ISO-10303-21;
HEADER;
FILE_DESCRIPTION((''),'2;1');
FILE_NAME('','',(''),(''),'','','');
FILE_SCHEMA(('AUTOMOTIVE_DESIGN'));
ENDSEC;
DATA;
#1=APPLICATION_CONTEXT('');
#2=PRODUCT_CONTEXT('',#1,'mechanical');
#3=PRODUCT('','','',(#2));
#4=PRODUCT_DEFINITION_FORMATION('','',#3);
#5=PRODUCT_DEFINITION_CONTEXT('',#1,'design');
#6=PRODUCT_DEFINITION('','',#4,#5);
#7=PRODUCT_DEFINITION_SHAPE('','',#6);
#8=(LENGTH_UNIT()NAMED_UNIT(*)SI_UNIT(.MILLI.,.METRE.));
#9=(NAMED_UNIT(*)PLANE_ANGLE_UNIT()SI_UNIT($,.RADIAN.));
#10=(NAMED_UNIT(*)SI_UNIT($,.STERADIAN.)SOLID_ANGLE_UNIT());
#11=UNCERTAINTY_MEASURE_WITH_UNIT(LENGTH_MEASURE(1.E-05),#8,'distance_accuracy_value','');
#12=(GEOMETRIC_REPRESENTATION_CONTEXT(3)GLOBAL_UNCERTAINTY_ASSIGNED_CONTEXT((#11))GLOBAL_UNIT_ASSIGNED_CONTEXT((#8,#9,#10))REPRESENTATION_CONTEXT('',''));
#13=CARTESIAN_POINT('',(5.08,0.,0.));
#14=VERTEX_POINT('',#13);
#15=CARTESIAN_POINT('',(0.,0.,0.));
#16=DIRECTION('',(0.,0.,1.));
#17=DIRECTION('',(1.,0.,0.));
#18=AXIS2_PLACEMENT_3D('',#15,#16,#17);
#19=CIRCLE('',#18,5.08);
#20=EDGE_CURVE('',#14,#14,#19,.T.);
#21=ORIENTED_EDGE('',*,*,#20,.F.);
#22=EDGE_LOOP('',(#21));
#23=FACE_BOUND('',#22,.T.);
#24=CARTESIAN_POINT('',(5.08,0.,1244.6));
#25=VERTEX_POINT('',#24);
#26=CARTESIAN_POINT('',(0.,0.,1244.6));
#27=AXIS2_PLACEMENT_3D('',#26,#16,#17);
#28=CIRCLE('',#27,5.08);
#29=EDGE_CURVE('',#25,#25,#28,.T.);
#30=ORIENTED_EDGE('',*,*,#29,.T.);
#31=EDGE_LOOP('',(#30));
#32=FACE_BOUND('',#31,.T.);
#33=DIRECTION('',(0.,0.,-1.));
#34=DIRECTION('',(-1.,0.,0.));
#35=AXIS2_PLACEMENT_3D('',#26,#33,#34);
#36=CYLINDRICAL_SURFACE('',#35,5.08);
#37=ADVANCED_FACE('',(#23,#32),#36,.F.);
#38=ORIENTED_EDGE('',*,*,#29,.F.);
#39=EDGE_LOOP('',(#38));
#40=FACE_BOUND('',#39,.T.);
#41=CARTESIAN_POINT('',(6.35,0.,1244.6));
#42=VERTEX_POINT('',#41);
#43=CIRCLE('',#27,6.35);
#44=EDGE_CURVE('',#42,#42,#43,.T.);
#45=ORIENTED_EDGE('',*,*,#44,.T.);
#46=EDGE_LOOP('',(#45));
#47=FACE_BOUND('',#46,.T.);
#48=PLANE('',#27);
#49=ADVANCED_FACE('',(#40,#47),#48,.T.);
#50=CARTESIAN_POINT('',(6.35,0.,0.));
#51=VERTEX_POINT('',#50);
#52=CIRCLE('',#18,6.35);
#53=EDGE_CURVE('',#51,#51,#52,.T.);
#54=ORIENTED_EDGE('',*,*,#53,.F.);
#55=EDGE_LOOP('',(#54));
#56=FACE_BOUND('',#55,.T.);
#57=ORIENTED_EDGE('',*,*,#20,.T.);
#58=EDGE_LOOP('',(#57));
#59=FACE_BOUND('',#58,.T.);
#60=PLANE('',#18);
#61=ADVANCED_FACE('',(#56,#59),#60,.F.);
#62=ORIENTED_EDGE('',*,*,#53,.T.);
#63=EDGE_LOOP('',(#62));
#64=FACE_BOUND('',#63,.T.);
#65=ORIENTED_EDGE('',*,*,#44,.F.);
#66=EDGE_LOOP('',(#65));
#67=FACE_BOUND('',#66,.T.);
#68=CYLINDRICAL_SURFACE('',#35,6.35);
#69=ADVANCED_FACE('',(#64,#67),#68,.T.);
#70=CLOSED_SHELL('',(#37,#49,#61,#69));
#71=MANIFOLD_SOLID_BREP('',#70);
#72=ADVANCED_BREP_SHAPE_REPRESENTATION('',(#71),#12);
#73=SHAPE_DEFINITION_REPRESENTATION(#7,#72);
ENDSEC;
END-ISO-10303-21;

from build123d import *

# Parameters (mm, degrees)
SKETCH1_R           = 6.35
SKETCH1_R_2         = 5.08
BOSS_EXTRUDE1_DEPTH = 1244.6


with BuildPart() as part:
    # Sketch1 → Boss-Extrude1 (new body)
    with BuildSketch(Plane.XY):
        Circle(SKETCH1_R)
        Circle(SKETCH1_R_2, mode=Mode.SUBTRACT)
    extrude(amount=BOSS_EXTRUDE1_DEPTH)


solid = part.part
